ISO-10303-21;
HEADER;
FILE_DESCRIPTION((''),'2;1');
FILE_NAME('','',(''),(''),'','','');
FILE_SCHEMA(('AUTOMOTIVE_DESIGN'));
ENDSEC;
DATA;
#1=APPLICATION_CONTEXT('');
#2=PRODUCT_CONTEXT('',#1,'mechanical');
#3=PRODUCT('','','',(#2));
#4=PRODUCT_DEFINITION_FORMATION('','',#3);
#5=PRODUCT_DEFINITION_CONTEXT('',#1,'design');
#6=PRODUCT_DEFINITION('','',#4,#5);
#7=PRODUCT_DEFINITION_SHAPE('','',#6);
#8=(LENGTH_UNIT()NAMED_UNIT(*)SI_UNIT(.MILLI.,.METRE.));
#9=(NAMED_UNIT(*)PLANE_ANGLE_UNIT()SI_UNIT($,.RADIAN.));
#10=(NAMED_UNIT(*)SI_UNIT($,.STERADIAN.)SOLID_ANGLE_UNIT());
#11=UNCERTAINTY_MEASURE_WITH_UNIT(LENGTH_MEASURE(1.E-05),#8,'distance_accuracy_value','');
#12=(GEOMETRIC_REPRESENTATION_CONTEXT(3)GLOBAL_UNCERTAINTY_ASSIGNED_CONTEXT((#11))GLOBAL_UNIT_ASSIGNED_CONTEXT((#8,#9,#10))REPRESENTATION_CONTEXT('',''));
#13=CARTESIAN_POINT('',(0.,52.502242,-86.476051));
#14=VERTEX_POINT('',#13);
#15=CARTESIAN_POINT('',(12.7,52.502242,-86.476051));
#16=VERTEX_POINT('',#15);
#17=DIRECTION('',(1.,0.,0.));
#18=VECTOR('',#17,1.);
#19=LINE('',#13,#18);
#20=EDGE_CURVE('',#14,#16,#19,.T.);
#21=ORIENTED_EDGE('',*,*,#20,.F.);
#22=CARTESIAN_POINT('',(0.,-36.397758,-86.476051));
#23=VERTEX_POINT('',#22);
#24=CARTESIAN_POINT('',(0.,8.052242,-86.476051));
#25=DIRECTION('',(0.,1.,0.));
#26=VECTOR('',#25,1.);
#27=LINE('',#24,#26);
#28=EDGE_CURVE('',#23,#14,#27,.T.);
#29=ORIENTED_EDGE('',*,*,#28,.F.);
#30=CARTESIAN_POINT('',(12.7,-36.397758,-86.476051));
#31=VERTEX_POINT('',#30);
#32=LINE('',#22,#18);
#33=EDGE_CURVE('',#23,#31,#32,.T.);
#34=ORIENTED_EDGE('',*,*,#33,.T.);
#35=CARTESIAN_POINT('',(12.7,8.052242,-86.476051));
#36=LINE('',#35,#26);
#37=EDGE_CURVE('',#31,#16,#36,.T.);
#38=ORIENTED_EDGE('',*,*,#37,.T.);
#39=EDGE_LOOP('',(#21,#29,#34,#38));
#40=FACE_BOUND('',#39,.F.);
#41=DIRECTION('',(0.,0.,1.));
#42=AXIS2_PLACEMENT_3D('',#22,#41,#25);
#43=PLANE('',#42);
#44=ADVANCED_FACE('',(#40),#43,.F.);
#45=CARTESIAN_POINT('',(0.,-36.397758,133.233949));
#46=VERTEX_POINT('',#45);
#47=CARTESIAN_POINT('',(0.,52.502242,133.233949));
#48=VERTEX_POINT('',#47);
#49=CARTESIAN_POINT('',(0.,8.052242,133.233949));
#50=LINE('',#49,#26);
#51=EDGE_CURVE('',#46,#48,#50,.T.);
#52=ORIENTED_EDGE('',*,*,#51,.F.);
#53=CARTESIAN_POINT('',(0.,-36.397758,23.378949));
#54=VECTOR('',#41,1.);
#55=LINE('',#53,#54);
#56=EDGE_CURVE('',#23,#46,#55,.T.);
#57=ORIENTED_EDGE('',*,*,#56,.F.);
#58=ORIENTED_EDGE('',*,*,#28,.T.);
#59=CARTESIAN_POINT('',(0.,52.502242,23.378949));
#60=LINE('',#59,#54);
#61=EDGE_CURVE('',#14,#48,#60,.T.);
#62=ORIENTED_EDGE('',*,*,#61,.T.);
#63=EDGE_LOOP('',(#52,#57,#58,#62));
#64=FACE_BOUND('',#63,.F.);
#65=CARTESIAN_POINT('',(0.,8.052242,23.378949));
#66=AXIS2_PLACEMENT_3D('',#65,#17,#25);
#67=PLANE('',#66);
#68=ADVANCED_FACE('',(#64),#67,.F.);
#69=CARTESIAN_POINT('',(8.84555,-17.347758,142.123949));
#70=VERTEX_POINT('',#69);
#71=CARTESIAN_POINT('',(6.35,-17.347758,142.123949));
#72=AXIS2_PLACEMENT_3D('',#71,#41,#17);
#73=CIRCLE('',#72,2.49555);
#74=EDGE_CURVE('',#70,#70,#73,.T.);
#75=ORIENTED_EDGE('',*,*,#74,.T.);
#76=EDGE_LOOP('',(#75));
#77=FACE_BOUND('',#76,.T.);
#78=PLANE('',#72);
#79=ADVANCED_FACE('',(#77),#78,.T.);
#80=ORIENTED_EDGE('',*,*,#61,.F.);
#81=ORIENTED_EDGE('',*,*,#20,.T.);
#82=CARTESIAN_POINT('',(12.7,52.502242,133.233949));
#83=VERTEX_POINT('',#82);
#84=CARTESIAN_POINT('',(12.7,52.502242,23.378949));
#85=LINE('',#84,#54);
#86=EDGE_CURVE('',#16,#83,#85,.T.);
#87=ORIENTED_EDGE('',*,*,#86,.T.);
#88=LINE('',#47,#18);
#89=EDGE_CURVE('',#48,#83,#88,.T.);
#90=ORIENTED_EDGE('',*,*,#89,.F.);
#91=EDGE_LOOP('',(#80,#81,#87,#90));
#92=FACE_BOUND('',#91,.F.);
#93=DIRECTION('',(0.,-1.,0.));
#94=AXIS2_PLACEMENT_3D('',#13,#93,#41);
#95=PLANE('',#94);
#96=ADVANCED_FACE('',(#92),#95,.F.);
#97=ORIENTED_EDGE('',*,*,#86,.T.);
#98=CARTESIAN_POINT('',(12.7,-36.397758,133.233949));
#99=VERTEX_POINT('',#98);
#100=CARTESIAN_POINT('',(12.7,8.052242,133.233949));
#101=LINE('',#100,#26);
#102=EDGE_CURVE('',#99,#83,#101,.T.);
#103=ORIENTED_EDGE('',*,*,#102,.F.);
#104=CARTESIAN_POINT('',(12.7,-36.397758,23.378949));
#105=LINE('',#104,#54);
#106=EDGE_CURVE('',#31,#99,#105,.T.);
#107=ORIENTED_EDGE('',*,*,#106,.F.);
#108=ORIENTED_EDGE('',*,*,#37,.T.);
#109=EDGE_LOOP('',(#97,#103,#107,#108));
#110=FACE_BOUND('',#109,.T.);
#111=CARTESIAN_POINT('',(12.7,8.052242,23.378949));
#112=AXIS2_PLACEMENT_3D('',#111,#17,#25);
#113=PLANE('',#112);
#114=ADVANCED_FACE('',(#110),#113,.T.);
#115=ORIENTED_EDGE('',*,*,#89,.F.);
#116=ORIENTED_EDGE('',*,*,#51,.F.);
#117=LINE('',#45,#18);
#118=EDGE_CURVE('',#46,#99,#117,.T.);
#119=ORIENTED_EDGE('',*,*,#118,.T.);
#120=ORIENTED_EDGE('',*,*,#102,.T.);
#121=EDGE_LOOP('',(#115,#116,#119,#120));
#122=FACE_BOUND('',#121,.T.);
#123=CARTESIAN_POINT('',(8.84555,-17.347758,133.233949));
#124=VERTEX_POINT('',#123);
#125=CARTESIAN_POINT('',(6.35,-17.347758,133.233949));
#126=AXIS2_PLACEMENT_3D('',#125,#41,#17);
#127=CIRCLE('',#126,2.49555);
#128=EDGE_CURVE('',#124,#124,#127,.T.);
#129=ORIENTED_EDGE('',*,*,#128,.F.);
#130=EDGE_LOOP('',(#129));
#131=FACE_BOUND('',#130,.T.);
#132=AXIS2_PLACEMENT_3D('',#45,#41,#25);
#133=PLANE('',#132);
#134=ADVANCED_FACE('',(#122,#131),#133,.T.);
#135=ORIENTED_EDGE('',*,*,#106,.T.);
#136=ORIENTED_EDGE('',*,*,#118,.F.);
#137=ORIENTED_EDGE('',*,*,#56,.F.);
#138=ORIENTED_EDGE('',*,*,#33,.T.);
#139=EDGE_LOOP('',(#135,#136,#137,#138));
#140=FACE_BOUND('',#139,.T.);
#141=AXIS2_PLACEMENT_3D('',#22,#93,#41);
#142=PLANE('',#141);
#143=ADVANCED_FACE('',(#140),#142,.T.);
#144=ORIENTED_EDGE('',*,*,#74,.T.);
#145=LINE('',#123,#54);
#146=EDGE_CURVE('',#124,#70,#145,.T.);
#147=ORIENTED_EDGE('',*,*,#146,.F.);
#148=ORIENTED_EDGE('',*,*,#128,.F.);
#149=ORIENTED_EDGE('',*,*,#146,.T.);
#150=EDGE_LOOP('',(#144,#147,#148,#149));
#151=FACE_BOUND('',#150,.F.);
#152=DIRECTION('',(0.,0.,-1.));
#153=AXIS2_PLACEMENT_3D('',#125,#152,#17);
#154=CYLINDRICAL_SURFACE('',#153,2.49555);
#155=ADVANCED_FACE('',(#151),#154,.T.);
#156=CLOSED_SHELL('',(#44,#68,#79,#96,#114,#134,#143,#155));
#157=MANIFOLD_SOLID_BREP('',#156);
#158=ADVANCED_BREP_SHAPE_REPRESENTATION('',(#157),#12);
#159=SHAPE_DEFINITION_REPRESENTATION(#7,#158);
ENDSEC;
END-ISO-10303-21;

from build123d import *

# Parameters (mm, degrees)
F0_W     = 88.9
F0_H     = 219.71
F1_DEPTH = 12.7
F2_R     = 2.49555
F3_DEPTH = 8.89


with BuildPart() as f1:
    # F0 (on Right) → F1 (new body)
    with BuildSketch(Plane.YZ):
        with Locations((8.052242, 23.378949)):
            Rectangle(F0_W, F0_H)
    extrude(amount=F1_DEPTH)

    # F2 (on face) → F3 (join)
    with BuildSketch(Plane.XY.offset(133.233949)):
        with Locations((6.35, -17.347758)):
            Circle(F2_R)
    extrude(amount=F3_DEPTH)


solid = f1.part
